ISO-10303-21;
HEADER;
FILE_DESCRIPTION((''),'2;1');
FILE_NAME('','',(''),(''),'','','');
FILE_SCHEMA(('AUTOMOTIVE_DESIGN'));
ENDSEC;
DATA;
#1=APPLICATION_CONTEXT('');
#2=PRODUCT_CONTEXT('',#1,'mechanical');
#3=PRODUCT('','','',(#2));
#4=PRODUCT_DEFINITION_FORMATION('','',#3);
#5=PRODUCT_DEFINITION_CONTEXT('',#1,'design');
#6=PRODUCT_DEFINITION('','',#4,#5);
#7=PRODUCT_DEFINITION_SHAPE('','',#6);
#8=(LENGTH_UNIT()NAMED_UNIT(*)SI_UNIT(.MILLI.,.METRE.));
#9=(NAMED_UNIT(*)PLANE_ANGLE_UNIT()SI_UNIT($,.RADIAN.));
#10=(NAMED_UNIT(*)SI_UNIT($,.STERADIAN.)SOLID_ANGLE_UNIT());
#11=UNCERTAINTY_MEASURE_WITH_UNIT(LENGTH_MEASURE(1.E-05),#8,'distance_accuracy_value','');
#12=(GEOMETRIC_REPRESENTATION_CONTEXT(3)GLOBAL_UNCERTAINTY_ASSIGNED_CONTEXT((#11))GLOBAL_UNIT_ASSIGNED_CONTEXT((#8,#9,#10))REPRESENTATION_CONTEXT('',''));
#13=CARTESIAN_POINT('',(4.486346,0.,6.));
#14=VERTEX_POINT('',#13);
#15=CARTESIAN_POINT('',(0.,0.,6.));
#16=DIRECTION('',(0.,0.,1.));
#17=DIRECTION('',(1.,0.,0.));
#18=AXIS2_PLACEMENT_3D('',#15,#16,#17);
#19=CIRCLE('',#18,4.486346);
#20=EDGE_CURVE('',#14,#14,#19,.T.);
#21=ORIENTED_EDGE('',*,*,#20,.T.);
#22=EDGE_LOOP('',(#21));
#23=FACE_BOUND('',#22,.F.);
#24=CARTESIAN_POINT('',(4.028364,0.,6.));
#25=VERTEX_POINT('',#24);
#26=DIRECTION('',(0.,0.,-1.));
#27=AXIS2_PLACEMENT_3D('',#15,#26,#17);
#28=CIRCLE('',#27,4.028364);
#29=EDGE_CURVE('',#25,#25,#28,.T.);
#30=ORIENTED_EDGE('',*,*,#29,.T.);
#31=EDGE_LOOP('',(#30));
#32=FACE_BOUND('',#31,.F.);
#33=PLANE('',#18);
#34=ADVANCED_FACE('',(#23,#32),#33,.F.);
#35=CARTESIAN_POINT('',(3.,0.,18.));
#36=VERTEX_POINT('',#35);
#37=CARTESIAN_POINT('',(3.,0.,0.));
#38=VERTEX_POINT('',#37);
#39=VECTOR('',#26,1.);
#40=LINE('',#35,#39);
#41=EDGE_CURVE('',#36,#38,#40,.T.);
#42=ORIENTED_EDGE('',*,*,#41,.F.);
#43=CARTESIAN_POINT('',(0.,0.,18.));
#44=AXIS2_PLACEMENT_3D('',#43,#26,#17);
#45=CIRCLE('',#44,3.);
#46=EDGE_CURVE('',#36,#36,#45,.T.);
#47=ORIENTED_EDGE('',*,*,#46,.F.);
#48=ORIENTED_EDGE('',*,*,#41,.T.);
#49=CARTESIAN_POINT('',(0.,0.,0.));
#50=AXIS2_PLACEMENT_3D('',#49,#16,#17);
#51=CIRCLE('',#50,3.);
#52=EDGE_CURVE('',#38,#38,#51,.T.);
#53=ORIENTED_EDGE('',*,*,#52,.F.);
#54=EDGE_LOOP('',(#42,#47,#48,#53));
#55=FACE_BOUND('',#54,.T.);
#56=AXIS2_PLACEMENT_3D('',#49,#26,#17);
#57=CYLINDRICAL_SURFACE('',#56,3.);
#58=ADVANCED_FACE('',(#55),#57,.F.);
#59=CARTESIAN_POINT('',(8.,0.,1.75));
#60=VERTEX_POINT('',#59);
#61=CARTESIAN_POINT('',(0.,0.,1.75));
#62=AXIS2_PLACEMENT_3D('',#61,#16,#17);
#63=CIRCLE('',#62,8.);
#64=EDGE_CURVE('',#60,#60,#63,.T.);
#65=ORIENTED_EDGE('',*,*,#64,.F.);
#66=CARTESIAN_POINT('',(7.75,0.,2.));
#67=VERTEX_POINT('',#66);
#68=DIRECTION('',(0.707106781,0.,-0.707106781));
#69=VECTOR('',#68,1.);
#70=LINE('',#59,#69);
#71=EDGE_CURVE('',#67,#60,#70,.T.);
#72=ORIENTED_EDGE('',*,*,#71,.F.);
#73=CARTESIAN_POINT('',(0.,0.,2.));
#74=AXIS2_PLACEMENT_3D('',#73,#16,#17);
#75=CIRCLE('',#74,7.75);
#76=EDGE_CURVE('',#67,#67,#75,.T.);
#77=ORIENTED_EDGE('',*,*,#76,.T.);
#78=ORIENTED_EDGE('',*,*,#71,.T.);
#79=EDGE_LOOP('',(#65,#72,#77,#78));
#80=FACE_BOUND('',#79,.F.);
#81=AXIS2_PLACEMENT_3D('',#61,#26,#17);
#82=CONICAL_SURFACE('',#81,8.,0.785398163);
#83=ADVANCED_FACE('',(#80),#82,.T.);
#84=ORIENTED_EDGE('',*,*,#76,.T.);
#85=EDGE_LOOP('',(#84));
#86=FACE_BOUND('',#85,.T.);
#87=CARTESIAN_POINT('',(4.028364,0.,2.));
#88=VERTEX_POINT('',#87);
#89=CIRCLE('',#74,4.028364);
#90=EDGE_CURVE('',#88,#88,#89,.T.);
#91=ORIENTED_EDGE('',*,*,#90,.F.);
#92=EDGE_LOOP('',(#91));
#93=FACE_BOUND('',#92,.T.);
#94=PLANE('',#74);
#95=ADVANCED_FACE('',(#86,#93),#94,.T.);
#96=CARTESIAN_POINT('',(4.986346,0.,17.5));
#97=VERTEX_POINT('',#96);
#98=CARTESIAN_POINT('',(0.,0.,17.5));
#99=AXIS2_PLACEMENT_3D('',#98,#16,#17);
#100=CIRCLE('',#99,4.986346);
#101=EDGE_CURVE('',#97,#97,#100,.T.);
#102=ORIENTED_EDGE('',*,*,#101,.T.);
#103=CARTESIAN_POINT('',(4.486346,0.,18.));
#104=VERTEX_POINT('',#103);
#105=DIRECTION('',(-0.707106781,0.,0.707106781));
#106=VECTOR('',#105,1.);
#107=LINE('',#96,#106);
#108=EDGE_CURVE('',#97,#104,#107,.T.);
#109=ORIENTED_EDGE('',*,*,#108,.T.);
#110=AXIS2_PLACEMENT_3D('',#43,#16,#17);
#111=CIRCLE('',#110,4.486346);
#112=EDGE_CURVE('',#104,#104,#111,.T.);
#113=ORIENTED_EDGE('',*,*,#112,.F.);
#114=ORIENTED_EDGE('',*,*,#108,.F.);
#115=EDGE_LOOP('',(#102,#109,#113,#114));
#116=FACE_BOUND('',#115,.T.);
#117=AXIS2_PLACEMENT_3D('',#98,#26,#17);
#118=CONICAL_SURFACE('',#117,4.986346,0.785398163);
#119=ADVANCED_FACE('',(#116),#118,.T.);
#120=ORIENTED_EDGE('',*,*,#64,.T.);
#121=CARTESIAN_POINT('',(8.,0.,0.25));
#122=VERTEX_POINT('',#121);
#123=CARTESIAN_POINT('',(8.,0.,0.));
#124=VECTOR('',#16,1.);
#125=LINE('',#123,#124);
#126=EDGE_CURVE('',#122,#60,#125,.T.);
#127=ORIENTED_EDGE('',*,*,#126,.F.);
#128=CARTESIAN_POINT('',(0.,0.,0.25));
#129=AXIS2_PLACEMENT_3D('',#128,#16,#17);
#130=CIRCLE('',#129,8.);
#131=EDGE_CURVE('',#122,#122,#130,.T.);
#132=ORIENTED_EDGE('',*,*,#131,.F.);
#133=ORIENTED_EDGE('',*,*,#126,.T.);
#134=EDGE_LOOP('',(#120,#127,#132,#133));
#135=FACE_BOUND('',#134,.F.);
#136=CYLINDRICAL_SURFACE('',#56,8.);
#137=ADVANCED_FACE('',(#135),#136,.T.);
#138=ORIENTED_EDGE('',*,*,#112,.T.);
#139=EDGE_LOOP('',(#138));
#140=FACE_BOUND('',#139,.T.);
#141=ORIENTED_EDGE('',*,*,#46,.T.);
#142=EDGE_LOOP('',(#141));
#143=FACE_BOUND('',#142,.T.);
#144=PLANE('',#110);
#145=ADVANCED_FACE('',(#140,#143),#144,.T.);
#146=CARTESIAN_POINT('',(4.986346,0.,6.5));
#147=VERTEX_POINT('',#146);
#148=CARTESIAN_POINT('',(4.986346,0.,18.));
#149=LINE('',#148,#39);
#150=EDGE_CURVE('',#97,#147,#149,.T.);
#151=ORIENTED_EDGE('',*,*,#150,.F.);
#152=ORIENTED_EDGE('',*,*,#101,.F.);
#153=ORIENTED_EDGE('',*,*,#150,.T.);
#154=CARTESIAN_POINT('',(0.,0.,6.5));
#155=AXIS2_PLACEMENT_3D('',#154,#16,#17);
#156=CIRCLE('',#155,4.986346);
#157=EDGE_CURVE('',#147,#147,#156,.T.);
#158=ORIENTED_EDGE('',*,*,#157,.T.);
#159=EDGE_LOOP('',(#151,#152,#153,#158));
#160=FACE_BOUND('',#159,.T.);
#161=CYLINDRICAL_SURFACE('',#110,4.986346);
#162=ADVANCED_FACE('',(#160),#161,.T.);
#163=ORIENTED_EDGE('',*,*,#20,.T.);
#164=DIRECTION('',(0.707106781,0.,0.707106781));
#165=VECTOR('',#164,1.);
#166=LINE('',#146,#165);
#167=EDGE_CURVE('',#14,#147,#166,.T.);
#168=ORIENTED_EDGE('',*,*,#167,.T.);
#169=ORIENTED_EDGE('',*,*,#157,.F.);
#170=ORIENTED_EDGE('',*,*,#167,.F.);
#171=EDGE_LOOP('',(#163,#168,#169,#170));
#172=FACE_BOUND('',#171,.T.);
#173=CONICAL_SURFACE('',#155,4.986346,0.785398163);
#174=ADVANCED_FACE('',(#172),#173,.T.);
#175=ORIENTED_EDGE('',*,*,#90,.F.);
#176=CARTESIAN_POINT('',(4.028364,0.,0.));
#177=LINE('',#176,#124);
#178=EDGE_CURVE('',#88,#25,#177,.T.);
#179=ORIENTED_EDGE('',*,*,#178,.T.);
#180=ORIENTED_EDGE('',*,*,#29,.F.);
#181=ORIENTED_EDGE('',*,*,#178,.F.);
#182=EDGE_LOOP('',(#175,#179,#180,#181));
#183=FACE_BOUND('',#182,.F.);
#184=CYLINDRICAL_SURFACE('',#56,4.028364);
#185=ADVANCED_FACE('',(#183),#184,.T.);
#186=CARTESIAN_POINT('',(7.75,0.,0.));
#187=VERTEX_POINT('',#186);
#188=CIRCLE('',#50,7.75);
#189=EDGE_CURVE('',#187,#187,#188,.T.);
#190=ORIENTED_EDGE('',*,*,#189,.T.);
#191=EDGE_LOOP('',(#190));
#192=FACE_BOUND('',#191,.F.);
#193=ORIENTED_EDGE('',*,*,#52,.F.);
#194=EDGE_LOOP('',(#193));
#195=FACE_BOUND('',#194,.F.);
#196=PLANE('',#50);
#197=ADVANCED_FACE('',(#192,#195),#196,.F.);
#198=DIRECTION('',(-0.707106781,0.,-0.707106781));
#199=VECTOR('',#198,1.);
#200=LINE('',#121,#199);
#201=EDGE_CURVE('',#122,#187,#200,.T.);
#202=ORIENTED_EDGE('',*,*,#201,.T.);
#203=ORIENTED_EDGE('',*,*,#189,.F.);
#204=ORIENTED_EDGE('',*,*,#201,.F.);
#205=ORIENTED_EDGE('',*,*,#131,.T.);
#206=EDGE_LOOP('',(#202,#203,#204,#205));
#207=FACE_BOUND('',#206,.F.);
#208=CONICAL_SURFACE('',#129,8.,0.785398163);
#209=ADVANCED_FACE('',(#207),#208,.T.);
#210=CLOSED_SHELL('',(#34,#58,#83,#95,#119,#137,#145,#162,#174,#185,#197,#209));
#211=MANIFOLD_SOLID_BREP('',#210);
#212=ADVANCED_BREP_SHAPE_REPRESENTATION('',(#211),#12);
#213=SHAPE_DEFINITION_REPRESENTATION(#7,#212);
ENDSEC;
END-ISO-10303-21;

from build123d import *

# Parameters (mm, degrees)
F0_R     = 8
F0_R_2   = 4.986346
F0_R_3   = 4.028364
F1_DEPTH = 2
F0_R_4   = 3
F2_DEPTH = 18
F3_R     = 4.986346
F4_DEPTH = 12
F5_DEPTH = 44.1
F6_SIZE  = 0.25
F7_SIZE  = 0.5


with BuildPart() as f1:
    # F0 (on Top) → F1 (new body)
    with BuildSketch(Plane.XY):
        Circle(F0_R)
        Circle(F0_R_2, mode=Mode.SUBTRACT)
        Circle(F0_R_2)
        Circle(F0_R_3, mode=Mode.SUBTRACT)
    extrude(amount=F1_DEPTH)

    # F0 (on Top) → F2 (join)
    with BuildSketch(Plane.XY):
        Circle(F0_R_4)
        Circle(F0_R_3)
        Circle(F0_R_4, mode=Mode.SUBTRACT)
    extrude(amount=F2_DEPTH)

    # F3 (on face) → F4 (join)
    with BuildSketch(Plane.XY.offset(18)):
        Circle(F3_R)
    extrude(amount=-F4_DEPTH)

    # F0 (on Top) → F5 (cut)
    with BuildSketch(Plane.XY):
        Circle(F0_R_4)
    extrude(amount=F5_DEPTH, mode=Mode.SUBTRACT)

    # F6
    f6_edges = [f1.edges().sort_by_distance(p)[0] for p in [
        (8, 0, 1),
        (-8, 0, 0),
        (-8, 0, 2),
    ]]
    chamfer(f6_edges, length=F6_SIZE)

    # F7
    f7_edges = [f1.edges().sort_by_distance(p)[0] for p in [
        (-4.986346, 0, 6),
        (-4.986346, 0, 18),
    ]]
    chamfer(f7_edges, length=F7_SIZE)


solid = f1.part
